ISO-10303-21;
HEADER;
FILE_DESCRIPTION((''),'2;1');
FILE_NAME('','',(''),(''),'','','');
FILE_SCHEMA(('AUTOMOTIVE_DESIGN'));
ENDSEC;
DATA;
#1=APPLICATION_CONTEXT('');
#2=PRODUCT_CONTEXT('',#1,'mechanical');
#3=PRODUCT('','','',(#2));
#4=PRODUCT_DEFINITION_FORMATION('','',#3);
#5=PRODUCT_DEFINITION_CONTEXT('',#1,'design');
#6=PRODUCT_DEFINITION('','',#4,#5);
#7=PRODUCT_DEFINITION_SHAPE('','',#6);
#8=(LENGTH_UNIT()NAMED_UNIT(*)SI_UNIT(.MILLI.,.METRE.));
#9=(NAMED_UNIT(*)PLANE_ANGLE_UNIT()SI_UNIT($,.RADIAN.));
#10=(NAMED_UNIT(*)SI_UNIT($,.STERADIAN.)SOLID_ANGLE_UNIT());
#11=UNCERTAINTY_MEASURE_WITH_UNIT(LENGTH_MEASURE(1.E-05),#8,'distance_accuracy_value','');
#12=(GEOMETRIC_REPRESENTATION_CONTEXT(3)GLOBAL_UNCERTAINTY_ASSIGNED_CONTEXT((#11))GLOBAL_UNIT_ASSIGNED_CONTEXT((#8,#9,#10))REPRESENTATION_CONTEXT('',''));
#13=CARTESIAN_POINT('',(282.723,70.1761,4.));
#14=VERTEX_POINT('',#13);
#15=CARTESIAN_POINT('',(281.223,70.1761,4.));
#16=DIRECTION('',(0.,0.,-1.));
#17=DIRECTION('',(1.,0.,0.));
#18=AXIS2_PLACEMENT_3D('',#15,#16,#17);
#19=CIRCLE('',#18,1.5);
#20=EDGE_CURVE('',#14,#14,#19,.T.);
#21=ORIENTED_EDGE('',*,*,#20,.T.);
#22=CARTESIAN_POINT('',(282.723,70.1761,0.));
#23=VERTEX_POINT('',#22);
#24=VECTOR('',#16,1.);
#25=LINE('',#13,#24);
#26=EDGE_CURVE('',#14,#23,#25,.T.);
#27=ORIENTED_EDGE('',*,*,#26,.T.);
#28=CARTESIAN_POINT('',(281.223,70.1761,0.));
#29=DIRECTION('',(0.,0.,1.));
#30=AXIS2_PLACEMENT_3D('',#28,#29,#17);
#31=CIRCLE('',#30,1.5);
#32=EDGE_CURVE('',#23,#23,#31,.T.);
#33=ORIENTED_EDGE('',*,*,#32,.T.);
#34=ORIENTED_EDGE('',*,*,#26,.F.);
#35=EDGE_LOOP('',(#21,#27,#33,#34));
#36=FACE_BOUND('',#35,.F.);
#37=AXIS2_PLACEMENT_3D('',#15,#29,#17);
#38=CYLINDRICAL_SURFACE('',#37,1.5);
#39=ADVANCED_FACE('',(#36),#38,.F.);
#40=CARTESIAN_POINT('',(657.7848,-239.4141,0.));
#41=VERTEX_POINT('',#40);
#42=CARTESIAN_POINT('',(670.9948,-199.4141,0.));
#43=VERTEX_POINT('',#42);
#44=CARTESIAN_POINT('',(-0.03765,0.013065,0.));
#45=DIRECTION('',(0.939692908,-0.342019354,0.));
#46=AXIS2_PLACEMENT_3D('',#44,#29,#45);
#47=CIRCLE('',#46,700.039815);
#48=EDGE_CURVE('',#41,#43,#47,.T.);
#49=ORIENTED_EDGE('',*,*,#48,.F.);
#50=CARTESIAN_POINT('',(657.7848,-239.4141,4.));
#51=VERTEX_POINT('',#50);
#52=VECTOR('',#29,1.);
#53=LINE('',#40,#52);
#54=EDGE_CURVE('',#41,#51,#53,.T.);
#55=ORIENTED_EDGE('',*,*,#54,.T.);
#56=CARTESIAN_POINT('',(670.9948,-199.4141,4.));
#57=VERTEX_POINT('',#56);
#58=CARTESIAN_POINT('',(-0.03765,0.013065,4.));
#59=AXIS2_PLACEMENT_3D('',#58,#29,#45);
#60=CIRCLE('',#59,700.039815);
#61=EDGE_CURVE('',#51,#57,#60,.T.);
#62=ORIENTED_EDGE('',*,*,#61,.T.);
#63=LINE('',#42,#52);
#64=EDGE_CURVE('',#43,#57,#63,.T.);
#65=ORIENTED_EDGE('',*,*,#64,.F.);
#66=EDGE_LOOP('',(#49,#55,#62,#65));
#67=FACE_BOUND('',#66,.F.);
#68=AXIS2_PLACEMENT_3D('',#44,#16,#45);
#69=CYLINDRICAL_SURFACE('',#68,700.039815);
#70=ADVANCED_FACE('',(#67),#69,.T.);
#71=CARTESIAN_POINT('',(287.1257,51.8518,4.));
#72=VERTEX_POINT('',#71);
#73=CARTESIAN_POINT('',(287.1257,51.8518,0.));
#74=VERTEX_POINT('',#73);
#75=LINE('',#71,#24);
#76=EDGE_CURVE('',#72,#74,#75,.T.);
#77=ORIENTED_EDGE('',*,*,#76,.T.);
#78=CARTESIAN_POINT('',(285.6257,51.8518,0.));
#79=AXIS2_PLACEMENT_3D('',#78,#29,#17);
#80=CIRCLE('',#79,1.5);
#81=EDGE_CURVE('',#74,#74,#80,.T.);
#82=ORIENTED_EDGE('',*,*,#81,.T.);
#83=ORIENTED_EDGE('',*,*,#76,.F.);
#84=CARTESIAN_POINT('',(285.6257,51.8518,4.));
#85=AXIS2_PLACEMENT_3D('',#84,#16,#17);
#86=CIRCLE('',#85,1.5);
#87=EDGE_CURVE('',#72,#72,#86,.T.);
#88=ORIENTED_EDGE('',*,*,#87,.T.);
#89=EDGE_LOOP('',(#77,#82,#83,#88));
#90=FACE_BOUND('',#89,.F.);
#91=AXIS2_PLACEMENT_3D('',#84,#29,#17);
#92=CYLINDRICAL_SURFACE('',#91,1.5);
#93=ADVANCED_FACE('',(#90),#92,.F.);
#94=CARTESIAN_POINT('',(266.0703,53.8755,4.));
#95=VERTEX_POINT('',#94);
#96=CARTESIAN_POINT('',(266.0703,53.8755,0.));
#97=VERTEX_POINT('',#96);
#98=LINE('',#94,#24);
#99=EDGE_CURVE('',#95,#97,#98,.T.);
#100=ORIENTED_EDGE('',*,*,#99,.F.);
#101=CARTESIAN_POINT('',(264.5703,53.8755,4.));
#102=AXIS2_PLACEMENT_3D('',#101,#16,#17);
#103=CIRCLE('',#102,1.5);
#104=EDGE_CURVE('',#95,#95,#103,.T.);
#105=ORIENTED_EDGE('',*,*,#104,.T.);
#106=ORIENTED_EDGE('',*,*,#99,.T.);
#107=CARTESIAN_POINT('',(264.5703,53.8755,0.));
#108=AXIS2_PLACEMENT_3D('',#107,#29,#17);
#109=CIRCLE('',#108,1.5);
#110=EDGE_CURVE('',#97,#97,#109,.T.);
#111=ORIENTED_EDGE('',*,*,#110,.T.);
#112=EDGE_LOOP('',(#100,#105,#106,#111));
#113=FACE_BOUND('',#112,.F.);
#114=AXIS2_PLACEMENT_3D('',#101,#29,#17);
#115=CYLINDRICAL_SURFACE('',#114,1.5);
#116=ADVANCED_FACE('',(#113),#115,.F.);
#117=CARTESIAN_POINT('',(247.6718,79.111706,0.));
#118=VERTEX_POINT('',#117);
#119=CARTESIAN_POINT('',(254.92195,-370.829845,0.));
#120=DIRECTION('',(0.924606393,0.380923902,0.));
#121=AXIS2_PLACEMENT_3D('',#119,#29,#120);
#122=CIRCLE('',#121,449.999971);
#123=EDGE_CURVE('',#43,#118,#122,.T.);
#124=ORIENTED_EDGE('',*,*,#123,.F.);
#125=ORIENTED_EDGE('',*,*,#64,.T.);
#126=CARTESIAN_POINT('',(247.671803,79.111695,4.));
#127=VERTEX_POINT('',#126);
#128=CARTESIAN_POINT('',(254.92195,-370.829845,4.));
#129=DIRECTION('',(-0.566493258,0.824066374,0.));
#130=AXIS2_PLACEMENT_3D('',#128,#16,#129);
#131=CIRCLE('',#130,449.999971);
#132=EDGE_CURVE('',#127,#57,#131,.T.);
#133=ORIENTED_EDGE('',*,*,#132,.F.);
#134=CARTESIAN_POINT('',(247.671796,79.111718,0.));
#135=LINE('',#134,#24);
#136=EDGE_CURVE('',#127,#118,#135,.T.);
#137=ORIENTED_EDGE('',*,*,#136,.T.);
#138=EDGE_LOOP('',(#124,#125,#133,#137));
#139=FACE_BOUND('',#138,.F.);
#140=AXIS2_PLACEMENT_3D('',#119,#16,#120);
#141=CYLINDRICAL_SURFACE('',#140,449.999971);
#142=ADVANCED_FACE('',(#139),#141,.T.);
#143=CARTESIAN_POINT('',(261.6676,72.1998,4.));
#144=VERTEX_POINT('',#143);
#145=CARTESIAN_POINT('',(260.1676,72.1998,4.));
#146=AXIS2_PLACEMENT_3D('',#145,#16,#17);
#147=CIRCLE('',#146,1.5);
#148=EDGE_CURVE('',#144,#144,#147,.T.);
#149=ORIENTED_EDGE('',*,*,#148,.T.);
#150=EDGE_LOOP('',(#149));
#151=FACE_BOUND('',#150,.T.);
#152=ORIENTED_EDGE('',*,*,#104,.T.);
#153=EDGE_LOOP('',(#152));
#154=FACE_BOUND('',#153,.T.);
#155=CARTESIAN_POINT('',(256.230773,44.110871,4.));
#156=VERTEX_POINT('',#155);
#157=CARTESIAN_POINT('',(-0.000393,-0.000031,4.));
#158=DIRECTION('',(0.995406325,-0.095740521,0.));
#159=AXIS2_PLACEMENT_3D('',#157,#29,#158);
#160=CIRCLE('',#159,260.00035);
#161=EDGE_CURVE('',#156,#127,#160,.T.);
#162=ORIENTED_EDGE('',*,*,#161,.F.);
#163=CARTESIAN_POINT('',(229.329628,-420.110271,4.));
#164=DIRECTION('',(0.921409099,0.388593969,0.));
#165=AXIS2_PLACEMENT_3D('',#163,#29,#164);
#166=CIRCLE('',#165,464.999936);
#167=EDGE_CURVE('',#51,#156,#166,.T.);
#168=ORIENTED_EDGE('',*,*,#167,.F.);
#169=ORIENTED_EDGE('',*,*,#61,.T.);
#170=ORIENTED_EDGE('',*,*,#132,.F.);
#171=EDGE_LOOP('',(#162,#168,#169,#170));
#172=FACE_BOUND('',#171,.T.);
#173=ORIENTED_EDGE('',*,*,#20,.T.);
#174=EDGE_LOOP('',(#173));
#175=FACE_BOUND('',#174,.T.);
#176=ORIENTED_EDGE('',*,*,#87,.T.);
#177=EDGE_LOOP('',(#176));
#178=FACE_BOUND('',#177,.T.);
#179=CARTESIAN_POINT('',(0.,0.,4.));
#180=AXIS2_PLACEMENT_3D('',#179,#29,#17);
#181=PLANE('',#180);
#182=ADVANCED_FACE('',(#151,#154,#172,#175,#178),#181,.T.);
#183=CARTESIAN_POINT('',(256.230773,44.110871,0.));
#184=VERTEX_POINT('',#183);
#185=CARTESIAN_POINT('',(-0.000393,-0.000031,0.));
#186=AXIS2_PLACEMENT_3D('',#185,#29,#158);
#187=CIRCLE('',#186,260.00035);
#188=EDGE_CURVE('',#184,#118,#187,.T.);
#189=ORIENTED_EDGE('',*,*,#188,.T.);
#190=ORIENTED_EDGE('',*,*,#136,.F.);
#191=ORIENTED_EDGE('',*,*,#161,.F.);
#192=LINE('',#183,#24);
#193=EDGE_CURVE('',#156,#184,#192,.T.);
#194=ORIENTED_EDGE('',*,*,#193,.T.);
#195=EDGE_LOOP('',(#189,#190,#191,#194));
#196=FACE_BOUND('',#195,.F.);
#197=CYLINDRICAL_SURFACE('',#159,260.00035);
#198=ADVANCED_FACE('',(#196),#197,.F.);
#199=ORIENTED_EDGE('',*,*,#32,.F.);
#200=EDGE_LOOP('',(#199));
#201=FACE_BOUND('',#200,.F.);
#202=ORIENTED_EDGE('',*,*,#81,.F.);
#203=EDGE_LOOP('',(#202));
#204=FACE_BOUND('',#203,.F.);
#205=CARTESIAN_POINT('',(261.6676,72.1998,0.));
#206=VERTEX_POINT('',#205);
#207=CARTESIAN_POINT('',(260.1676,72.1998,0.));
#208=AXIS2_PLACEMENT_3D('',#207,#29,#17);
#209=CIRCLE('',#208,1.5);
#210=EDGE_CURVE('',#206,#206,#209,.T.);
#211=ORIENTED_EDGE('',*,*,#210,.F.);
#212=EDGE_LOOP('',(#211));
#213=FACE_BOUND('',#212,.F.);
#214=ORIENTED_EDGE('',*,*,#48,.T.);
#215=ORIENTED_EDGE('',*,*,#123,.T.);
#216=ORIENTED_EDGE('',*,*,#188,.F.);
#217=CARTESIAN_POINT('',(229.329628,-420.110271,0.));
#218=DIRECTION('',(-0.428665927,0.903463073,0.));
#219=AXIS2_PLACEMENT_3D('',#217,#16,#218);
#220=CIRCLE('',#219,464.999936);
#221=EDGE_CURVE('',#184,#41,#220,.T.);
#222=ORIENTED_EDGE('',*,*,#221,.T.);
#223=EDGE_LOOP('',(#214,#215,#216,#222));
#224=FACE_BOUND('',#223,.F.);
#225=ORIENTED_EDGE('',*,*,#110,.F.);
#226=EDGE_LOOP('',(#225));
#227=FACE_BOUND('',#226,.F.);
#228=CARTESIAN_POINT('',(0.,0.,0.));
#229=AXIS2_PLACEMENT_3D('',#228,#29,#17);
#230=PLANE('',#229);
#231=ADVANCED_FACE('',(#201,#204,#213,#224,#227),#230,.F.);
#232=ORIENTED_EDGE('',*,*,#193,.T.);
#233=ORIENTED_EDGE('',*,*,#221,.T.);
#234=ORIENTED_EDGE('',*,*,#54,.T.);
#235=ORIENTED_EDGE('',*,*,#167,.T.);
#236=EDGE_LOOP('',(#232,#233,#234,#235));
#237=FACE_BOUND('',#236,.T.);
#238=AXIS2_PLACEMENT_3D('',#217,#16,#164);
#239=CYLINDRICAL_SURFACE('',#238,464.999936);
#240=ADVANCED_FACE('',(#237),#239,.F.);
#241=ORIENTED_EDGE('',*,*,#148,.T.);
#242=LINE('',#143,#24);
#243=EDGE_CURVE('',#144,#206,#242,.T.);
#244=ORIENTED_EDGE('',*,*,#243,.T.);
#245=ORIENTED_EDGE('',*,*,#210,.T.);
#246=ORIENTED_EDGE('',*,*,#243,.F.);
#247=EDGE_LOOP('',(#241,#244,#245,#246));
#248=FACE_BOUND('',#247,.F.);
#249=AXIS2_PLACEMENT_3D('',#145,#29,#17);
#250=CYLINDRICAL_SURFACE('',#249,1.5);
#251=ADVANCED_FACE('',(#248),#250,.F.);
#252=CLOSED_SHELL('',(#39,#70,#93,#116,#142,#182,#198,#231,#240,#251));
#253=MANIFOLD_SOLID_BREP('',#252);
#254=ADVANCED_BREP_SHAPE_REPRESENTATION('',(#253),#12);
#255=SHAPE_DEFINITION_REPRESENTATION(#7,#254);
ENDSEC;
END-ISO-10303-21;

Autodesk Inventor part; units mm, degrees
ref_plane "YZ Plane" through (0, 0, 0) normal (1, 0, 0) x (0, 1, 0)
ref_plane "XZ Plane" through (0, 0, 0) normal (0, 1, 0) x (-1, 0, 0)
ref_plane "XY Plane" through (0, 0, 0) normal (0, 0, 1) x (1, 0, 0)
sketch "Sketch1" plane through (0, 0, 0) normal (0, 0, 1) x (1, 0, 0)
  arc A0 (670.9948, -199.4141) -> (0, 0) centre (254.9219, -370.8299) ccw
  arc A1 (657.7848, -239.4141) -> (30, 0) centre (229.3296, -420.1103) ccw
  arc A2 (657.7848, -239.4141) -> (670.9948, -199.4141) centre (0, 0) ccw
  line L0 (0, 0) -> (30, 0)
  line L1 (657.7848, -239.4141) -> (0, 0)
  line L2 (-143.7228, 0) -> (862.3369, 0) projected
  point P0 (0, 0)
  dimension "d1" = 30
  dimension "d2" = 40
  dimension "d4" = 20
  dimension "d5" = 465
  dimension "d6" = 450
  dimension "d22" = 700
extrude "Extrusion1" add sketch "Sketch1" along normal blind 4 contours A2 A1 L2 A0 | L2 A1 L0 A0
sketch "Sketch2" plane through (0, 0, 4) normal (0, 0, 1) x (1, 0, 0)
  arc A0 (670.9948, -199.4141) -> (0, 0) centre (254.9219, -370.8299) ccw projected
  arc A1 (87.1309, 22.5434) -> (74.166, 50.9844) centre (0, 0) ccw
  line L0 (74.166, 50.9844) -> (0, 0)
  line L1 (0, 0) -> (87.1309, 22.5434)
  line L2 (0, 0) -> (30, 0) projected
  point P0 (78.8927, 43.3122)
  point P1 (0, 0)
  point P2 (0, 0)
  dimension "d9" = 90
  dimension "d16" = 20
extrude "Extrusion2" add sketch "Sketch2" against normal blind 4
sketch "Sketch4" plane through (0, 0, 4) normal (0, 0, 1) x (1, 0, 0)
  line L0 (86.0304, 22.2587) -> (87.1309, 22.5434) projected
  line L1 (74.166, 50.9844) -> (0, 0) projected
  line L2 (87.1309, 22.5434) -> (0, 0)
  line L3 (0, 0) -> (30, 0)
  arc A0 (86.0304, 22.2587) -> (30, 0) centre (229.3296, -420.1103) ccw projected
  line L4 (30, 0) -> (86.0304, 22.2587)
  point P0 (86.0304, 22.2587)
extrude "Extrusion4" cut sketch "Sketch4" against normal blind 10 contours A0 L3 L2
sketch "Sketch5" plane through (0, 0, 4) normal (0, 0, 1) x (1, 0, 0)
  line L0 (0, 0) -> (8.2407, 5.6649)
  line L1 (74.166, 50.9844) -> (0, 0) projected
  line L2 (0, 0) -> (87.1309, 22.5434) projected
  line L3 (9.6812, 2.5048) -> (0, 0)
  arc A0 (9.6812, 2.5048) -> (8.2407, 5.6649) centre (0, 0) ccw
  point P0 (9.6812, 2.5048)
  dimension "d21" = 10
extrude "Extrusion5" cut sketch "Sketch5" against normal blind 10
sketch "Sketch6" plane through (0, 0, 4) normal (0, 0, 1) x (1, 0, 0)
  arc A0 (670.9948, -199.4141) -> (78.8927, 43.3122) centre (254.9219, -370.8299) ccw projected
  arc A1 (258.8056, -24.8926) -> (214.2573, 147.2882) centre (0, 0) ccw
  line L0 (0, 0) -> (214.2573, 147.2882)
  line L1 (0, 0) -> (258.8056, -24.8926)
  line L2 (74.166, 50.9844) -> (8.2407, 5.6649) projected
  dimension "d23" = 40
  dimension "d24" = 260
extrude "Extrusion6" cut sketch "Sketch6" against normal blind 10
sketch "Sketch7" plane through (0, 0, 4) normal (0, 0, 1) x (1, 0, 0)
  line L0 (0, 0) -> (260.1676, 72.1998)
  line L1 (0, 0) -> (264.5703, 53.8755)
  line L2 (-134.199, 0) -> (805.1938, 0) projected
  circle A0 centre (260.1676, 72.1998) radius 1.5
  circle A1 centre (264.5703, 53.8755) radius 1.5
  circle A2 centre (281.223, 70.1761) radius 1.5
  circle A3 centre (285.6257, 51.8518) radius 1.5
  line L3 (281.223, 70.1761) -> (285.6257, 51.8518)
  line L4 (285.6257, 51.8518) -> (264.5703, 53.8755)
  line L5 (264.5703, 53.8755) -> (260.1676, 72.1998)
  line L6 (281.223, 70.1761) -> (260.1676, 72.1998)
  dimension "d27" = 15.51
  dimension "d28" = 4
  dimension "d29" = 270
  dimension "d30" = 270
  dimension "d31" = 3
  dimension "d32" = 3
  dimension "d33" = 3
  dimension "d34" = 3
  dimension "d35" = 109
  dimension "d36" = 20
extrude "Extrusion7" cut sketch "Sketch7" against normal through all contours A0 L6 L0 | L0 L5 A0 | A1 L5 L1 | L1 L4 A1 | L6 A0 L5 | L5 A1 L4 | L4 L3 A3 | A3 L3 L4 | L6 L3 A2 | A2 L3 L6
properties part number "spoke4"
